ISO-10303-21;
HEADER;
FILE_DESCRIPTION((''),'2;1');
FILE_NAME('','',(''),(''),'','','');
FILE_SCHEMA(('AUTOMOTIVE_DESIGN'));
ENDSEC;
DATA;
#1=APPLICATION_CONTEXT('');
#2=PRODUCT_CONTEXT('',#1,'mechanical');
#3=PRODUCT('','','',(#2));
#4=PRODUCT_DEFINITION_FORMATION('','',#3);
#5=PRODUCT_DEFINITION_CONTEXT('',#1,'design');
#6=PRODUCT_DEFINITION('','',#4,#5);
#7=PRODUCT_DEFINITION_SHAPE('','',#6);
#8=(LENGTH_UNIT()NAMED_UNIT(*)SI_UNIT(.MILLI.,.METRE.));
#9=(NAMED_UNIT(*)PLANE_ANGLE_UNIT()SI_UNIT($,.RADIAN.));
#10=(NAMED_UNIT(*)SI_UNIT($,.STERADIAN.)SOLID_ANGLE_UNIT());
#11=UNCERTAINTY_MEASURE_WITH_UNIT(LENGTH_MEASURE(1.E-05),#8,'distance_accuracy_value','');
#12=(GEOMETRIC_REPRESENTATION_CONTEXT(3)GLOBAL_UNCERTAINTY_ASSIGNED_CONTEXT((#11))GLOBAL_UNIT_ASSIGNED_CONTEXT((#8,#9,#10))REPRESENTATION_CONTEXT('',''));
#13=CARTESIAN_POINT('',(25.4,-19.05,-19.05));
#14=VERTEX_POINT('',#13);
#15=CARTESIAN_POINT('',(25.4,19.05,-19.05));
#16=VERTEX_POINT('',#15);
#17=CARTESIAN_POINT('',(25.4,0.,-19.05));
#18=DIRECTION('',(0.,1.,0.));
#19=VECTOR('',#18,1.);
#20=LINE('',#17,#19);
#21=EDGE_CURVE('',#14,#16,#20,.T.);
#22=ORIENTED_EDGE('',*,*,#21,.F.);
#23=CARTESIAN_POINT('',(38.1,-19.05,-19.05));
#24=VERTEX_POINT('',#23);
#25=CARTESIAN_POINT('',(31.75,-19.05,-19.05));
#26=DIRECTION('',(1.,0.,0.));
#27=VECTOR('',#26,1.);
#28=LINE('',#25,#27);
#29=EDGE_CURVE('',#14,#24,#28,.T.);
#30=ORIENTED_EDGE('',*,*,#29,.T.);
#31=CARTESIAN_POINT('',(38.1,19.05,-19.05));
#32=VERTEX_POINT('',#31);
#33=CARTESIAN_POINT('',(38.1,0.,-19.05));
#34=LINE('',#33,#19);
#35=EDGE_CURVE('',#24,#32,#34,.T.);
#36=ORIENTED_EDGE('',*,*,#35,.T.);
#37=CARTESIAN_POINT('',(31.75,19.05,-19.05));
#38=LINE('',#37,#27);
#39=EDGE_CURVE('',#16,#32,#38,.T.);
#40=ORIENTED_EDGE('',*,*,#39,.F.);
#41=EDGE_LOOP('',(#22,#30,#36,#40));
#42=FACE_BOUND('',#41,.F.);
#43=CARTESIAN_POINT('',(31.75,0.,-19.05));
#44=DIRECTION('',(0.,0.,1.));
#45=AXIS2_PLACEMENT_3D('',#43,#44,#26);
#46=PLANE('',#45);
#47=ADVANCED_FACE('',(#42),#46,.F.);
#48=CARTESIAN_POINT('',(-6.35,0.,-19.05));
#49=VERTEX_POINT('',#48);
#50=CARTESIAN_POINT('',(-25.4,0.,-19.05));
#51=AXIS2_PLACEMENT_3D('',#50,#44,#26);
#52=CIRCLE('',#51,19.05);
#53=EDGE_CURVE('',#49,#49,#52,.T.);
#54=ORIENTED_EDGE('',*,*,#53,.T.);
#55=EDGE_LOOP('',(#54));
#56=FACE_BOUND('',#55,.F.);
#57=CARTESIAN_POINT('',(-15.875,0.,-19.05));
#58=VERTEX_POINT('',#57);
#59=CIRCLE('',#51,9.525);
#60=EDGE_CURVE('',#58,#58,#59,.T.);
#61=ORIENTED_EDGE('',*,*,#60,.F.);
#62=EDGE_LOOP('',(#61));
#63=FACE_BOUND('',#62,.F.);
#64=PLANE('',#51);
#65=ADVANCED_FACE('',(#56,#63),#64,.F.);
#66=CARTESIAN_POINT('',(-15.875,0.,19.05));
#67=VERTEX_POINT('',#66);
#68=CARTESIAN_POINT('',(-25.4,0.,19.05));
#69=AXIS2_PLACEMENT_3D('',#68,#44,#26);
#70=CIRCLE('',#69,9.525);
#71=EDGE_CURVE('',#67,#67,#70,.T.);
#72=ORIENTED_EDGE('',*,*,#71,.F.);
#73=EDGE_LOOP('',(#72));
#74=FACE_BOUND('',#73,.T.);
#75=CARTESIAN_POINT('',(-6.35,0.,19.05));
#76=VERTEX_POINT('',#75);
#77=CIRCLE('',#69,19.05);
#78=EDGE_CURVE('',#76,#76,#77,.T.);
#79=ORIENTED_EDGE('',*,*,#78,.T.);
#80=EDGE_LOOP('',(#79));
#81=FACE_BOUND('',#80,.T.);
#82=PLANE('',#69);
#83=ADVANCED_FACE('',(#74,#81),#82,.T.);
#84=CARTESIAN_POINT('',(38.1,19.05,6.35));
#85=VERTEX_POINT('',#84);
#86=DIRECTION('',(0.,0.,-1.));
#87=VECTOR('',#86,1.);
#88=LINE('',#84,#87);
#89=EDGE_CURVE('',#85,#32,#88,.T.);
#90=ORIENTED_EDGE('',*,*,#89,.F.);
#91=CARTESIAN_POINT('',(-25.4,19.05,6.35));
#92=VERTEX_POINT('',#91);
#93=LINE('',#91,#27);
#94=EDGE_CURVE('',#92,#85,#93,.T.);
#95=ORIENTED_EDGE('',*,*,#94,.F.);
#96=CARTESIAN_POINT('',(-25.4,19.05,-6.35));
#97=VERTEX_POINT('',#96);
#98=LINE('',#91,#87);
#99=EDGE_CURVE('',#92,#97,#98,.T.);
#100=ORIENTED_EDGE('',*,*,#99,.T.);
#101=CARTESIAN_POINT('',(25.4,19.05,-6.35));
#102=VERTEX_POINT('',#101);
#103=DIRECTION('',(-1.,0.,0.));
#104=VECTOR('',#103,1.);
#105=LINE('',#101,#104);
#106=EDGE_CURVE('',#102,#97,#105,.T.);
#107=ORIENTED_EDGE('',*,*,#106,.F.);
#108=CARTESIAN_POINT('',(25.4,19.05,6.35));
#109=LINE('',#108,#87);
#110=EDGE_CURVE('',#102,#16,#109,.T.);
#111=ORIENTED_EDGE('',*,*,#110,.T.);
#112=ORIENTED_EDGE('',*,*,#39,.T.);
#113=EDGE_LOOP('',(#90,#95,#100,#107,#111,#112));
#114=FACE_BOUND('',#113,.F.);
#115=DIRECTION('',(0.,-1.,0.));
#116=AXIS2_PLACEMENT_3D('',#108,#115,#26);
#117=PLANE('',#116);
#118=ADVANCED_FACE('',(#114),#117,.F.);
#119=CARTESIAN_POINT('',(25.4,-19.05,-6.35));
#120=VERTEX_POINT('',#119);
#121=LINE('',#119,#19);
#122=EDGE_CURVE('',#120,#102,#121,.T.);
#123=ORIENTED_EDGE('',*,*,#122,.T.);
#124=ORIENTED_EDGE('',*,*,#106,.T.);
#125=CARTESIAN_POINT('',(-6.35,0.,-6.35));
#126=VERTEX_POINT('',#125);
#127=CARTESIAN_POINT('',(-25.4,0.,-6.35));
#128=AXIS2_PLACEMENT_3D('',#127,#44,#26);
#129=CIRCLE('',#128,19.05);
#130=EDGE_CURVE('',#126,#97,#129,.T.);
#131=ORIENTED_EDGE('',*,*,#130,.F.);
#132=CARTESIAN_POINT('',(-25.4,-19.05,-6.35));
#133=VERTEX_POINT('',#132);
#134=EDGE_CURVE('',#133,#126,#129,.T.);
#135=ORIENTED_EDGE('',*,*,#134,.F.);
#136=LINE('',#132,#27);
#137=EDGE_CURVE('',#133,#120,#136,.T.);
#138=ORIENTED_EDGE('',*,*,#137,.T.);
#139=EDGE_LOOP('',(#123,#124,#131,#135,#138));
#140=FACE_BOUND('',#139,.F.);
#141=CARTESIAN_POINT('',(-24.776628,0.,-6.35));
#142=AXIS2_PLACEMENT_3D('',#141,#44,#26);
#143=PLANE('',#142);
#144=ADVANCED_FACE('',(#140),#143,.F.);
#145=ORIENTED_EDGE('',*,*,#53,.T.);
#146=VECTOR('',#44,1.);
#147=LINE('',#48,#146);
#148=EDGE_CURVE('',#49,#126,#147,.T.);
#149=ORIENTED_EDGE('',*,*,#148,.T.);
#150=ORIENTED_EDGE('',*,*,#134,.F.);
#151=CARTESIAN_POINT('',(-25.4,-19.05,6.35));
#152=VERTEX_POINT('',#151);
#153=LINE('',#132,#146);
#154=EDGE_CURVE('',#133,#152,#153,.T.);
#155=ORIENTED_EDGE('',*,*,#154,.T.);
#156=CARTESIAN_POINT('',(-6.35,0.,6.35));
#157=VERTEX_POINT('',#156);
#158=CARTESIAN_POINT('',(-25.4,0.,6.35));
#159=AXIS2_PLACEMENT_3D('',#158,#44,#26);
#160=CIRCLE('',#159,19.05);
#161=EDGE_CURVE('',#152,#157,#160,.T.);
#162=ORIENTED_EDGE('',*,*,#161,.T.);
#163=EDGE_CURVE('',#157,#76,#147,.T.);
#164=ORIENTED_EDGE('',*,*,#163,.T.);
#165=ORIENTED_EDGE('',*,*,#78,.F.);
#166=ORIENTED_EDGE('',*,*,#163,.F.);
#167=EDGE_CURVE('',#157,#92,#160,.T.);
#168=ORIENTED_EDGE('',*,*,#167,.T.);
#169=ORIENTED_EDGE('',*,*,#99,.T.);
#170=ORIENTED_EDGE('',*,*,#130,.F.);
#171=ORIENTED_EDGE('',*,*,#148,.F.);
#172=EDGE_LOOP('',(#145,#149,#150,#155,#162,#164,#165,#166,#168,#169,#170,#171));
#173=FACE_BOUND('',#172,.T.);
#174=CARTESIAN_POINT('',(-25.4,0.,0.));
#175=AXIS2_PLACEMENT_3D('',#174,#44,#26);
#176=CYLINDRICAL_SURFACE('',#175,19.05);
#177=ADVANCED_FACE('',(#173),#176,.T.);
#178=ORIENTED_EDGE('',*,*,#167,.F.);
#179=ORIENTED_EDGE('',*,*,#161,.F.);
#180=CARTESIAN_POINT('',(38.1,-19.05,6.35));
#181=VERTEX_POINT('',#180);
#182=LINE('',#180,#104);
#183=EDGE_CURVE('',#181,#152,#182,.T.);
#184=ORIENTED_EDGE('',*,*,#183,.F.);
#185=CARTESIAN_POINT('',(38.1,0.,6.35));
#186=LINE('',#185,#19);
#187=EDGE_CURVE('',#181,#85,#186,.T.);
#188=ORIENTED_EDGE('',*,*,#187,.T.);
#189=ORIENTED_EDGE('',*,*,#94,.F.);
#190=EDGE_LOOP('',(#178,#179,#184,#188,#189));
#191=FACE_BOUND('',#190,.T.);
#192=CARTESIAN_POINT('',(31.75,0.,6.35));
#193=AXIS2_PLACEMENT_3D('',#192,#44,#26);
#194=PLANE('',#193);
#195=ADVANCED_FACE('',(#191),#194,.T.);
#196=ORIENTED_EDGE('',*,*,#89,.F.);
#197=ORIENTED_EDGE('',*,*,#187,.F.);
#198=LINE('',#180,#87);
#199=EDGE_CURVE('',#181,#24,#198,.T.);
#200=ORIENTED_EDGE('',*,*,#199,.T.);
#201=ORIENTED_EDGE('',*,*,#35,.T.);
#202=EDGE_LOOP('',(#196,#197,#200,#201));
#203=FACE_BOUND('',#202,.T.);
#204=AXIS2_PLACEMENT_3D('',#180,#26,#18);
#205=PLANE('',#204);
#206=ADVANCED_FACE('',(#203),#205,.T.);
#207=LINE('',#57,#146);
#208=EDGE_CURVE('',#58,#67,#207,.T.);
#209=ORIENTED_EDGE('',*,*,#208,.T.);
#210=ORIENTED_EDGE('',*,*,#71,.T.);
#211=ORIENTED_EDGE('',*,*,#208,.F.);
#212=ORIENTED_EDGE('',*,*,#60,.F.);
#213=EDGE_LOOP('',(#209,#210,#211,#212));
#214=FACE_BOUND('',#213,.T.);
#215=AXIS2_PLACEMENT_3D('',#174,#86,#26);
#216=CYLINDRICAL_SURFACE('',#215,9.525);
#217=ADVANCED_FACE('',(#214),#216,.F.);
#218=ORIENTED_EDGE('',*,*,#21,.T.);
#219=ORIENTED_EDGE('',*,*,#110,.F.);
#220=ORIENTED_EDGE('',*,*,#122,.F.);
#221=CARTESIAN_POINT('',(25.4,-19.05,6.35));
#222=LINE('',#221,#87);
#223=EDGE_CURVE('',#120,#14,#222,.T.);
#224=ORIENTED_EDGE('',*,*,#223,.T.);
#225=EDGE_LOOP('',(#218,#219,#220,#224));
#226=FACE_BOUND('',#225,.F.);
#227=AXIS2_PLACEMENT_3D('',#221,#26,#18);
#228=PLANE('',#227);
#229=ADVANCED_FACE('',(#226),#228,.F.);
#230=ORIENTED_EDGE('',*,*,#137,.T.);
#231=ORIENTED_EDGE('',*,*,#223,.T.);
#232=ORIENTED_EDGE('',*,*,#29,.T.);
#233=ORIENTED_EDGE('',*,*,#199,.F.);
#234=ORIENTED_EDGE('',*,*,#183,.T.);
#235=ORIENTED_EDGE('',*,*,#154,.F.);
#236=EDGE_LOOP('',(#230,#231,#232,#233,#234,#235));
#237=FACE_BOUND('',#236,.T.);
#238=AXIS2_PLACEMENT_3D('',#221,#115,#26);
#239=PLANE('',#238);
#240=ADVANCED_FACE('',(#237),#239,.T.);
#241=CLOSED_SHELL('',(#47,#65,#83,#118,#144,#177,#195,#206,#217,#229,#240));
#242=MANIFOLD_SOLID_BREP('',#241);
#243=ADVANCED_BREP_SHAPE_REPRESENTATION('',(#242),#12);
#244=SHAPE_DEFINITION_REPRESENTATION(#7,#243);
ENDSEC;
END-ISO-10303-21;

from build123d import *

# Parameters (mm, degrees)
F0_R     = 9.525
F1_DEPTH = 6.35
F2_R     = 19.05
F2_R_2   = 9.525
F3_DEPTH = 19.05
F4_W     = 12.7
F4_H     = 38.1
F5_DEPTH = 25.4


with BuildPart() as f1:
    # F0 (on Top) → F1 (new body, symmetric)
    with BuildSketch(Plane.XY):
        with BuildLine():
            ThreePointArc((-6.35, 0), (-11.929616, 13.470384), (-25.4, 19.05))
            ThreePointArc((-25.4, 19.05), (-44.45, 0), (-25.4, -19.05))
            ThreePointArc((-25.4, -19.05), (-11.929616, -13.470384), (-6.35, 0))
        make_face()
        with Locations((-25.4, 0)):
            Circle(F0_R, mode=Mode.SUBTRACT)
        with BuildLine():
            Line((25.4, 19.05), (-25.4, 19.05))
            ThreePointArc((-25.4, 19.05), (-11.929616, 13.470384), (-6.35, 0))
            ThreePointArc((-6.35, 0), (-11.929616, -13.470384), (-25.4, -19.05))
            Line((-25.4, -19.05), (25.4, -19.05))
            Line((25.4, -19.05), (25.4, 19.05))
        make_face()
    extrude(amount=F1_DEPTH, both=True)

    # F2 (on Top) → F3 (join, symmetric)
    with BuildSketch(Plane.XY):
        with Locations((-25.4, 0)):
            Circle(F2_R)
        with Locations((-25.4, 0)):
            Circle(F2_R_2, mode=Mode.SUBTRACT)
    extrude(amount=F3_DEPTH, both=True)

    # F4 (on face) → F5 (join)
    with BuildSketch(Plane.XY.offset(6.35)):
        with Locations((31.75, 0)):
            Rectangle(F4_W, F4_H)
    extrude(amount=-F5_DEPTH)


solid = f1.part
